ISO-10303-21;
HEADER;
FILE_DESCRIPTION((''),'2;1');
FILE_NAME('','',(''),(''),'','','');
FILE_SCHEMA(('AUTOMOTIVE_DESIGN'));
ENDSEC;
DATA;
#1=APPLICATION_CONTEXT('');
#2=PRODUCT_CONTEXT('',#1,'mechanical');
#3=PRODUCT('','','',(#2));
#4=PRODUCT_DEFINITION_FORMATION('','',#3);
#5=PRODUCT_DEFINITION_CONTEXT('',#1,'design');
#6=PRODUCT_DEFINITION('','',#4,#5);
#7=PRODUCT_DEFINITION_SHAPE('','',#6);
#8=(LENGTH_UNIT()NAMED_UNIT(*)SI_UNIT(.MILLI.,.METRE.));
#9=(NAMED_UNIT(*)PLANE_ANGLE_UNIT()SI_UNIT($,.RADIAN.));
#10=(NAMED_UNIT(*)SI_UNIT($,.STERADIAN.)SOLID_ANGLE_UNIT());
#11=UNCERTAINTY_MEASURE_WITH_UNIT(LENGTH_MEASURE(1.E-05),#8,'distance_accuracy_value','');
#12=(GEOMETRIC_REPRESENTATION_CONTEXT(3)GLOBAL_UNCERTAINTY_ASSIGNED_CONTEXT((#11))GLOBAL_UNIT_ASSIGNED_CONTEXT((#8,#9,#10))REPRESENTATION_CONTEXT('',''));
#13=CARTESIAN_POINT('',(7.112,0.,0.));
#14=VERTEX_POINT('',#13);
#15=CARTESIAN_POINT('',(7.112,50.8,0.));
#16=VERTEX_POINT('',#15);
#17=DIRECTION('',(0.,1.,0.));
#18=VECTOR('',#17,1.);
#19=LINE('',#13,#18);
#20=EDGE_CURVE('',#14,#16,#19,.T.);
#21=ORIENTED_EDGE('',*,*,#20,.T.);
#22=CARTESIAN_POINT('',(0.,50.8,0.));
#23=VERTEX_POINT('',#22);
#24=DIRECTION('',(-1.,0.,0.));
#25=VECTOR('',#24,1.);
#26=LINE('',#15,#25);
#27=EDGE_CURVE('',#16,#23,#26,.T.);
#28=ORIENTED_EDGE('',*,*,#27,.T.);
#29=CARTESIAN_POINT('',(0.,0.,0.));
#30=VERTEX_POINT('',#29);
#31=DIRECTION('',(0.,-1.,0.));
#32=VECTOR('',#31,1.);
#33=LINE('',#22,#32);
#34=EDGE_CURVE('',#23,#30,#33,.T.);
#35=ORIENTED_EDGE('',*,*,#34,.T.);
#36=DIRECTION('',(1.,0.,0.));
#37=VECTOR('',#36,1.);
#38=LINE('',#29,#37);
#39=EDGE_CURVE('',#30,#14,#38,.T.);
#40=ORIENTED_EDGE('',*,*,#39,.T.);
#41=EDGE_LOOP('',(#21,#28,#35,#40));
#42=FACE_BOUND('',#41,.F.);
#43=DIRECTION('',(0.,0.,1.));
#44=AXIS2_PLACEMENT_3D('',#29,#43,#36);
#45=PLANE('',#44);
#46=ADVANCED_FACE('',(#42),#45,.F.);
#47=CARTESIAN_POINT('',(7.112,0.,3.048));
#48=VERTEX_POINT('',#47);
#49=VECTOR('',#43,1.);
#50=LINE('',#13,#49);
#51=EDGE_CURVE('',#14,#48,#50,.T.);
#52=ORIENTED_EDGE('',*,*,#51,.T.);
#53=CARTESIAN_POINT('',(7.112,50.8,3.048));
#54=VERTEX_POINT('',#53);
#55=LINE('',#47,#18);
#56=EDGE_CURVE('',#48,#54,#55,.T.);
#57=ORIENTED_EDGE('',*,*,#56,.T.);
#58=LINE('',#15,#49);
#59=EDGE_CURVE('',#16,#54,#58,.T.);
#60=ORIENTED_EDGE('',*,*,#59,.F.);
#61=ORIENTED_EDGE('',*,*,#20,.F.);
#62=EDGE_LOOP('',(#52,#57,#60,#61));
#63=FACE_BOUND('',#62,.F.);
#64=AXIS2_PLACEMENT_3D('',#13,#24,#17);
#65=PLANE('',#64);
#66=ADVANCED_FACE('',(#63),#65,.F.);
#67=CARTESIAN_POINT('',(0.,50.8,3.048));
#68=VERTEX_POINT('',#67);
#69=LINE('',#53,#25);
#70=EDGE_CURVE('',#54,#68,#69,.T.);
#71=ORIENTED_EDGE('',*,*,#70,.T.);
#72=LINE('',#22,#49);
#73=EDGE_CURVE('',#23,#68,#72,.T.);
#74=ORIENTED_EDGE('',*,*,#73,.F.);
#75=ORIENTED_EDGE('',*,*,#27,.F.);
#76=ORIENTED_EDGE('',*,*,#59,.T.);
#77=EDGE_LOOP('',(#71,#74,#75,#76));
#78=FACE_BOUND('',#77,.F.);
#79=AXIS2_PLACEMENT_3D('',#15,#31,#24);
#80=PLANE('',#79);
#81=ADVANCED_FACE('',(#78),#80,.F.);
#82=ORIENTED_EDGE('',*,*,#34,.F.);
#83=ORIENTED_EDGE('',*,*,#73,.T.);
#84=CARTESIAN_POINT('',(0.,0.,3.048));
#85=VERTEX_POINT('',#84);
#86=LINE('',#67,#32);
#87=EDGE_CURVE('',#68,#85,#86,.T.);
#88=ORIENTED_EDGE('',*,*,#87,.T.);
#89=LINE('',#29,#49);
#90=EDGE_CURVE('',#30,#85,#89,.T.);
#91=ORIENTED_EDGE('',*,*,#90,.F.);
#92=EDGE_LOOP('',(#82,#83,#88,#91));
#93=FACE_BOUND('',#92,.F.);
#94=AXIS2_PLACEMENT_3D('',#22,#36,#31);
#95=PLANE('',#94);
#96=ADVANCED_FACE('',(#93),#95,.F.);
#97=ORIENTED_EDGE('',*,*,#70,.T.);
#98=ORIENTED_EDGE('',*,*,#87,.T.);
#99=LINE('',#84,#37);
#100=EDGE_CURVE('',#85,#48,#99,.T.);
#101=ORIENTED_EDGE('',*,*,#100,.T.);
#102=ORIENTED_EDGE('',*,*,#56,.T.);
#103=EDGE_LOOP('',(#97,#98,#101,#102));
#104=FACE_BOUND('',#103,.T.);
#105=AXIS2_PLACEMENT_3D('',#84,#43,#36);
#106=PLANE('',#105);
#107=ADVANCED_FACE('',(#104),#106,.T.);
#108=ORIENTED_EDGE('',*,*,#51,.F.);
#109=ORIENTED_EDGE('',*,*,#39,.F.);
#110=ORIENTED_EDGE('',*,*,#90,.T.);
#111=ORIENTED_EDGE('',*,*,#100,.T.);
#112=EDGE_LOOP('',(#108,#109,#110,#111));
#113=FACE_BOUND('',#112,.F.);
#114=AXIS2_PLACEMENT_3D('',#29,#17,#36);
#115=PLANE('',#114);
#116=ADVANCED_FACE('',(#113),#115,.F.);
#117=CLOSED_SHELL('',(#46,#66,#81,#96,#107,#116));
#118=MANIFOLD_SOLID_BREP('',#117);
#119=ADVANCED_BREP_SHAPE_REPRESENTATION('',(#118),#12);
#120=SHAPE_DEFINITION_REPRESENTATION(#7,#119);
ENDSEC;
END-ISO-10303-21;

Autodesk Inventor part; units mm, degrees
ref_plane "YZ Plane" through (0, 0, 0) normal (1, 0, 0) x (0, 1, 0)
ref_plane "XZ Plane" through (0, 0, 0) normal (0, 1, 0) x (-1, 0, 0)
ref_plane "XY Plane" through (0, 0, 0) normal (0, 0, 1) x (1, 0, 0)
sketch "Sketch1" plane through (0, 0, 0) normal (0, 0, 1) x (1, 0, 0)
  line L0 (0, 0) -> (7.112, 0)
  line L1 (7.112, 0) -> (7.112, 50.8)
  line L2 (7.112, 50.8) -> (0, 50.8)
  line L3 (0, 50.8) -> (0, 0)
  dimension "d0" = 50.8
  dimension "d1" = 7.112
extrude "Extrusion1" add sketch "Sketch1" along normal blind 3.048
properties part number "LeftScreenSpacer"
